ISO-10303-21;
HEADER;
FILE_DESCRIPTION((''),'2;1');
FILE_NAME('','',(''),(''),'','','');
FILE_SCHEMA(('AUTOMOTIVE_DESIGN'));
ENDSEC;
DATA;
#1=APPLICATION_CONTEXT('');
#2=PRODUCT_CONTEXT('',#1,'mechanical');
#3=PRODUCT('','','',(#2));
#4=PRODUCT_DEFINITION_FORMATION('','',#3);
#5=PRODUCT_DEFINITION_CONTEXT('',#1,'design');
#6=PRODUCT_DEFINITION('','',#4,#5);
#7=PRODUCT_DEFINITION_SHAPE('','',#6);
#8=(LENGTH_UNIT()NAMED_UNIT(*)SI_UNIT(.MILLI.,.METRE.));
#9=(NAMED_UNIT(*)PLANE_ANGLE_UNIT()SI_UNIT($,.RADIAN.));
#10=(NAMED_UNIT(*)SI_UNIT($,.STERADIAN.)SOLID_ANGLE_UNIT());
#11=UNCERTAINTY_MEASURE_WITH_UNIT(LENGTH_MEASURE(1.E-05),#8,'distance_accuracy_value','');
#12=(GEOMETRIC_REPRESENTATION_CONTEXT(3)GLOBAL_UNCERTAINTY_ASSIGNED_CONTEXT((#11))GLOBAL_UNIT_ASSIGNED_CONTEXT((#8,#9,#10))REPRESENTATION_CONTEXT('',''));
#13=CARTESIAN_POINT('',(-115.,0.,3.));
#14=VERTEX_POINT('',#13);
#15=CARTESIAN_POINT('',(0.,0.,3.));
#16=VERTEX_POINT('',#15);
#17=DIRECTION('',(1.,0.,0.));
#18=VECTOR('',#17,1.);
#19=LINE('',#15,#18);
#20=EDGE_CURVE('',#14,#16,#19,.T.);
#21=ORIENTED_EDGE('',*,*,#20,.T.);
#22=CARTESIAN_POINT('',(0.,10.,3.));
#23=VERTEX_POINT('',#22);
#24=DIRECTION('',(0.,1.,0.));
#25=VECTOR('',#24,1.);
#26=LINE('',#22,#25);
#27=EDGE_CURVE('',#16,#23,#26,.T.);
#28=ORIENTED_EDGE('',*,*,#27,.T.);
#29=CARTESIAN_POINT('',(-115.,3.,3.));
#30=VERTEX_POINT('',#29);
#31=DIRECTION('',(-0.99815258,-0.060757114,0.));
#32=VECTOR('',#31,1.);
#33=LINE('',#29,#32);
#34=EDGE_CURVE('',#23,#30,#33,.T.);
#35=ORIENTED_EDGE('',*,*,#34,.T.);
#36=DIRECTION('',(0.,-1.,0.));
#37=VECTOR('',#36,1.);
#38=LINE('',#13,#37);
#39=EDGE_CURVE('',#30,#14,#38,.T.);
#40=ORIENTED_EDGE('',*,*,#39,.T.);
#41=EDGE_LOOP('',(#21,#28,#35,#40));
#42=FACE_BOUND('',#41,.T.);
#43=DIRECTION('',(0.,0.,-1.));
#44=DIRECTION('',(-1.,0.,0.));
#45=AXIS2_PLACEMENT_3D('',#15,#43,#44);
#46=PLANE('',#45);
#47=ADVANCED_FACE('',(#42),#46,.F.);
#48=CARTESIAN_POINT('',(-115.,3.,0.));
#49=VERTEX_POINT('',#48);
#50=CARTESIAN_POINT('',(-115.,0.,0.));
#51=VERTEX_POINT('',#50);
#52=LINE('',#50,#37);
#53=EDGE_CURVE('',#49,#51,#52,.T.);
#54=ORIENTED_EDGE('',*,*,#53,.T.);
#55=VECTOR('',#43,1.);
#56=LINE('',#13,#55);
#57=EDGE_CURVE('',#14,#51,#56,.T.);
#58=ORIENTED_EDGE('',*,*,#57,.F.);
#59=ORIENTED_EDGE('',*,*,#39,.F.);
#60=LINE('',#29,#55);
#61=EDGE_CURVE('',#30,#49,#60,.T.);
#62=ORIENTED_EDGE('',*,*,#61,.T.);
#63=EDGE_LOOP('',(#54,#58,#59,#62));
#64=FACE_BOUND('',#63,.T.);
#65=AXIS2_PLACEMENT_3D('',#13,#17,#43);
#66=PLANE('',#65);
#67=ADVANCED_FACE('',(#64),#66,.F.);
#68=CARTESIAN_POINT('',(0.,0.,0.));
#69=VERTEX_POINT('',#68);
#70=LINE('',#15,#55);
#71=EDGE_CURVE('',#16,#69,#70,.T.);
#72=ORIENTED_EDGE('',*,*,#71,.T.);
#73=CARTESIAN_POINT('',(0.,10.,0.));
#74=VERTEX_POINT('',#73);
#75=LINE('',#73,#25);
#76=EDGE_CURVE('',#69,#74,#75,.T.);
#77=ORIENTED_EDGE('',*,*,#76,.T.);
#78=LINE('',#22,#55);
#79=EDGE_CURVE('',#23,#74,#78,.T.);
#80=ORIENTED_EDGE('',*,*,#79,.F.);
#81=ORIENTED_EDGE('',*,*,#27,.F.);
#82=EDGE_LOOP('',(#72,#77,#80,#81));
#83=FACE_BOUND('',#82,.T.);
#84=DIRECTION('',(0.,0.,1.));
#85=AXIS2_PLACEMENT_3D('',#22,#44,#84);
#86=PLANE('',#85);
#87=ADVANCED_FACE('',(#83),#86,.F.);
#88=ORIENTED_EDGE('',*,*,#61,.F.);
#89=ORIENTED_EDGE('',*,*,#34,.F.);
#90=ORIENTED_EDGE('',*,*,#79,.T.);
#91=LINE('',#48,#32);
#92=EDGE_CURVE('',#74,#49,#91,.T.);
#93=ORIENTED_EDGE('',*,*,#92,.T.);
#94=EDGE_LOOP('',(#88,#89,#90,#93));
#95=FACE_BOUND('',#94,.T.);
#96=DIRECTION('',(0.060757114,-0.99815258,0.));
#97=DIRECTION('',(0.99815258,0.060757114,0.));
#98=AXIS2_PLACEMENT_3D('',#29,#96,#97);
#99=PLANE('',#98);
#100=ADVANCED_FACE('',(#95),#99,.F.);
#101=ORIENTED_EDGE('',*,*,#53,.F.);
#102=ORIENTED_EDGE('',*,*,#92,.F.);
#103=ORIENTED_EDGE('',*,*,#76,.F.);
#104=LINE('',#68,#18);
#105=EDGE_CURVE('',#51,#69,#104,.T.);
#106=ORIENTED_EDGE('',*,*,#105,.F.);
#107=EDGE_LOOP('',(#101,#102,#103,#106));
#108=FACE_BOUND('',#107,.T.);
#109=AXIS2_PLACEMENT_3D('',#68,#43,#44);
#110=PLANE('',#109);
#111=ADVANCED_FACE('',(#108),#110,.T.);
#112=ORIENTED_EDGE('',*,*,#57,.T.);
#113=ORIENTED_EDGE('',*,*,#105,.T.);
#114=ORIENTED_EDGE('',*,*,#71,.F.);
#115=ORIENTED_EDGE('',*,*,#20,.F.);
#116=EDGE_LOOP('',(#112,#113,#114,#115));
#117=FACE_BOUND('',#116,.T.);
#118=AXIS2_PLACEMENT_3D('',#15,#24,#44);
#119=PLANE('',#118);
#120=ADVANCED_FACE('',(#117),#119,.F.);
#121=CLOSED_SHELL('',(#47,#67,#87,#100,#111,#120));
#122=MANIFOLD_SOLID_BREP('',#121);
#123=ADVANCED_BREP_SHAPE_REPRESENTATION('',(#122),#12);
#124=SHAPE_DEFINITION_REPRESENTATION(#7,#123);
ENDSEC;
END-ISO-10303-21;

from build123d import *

# Parameters (mm, degrees)
BOSS_EXTRUDE1_DEPTH = 3


with BuildPart() as part:
    # Sketch1 → Boss-Extrude1 (new body)
    with BuildSketch(Plane.XY):
        Polygon((0, 0), (-115, 0), (-115, 3), (0, 10), align=None)
    extrude(amount=BOSS_EXTRUDE1_DEPTH)


solid = part.part
